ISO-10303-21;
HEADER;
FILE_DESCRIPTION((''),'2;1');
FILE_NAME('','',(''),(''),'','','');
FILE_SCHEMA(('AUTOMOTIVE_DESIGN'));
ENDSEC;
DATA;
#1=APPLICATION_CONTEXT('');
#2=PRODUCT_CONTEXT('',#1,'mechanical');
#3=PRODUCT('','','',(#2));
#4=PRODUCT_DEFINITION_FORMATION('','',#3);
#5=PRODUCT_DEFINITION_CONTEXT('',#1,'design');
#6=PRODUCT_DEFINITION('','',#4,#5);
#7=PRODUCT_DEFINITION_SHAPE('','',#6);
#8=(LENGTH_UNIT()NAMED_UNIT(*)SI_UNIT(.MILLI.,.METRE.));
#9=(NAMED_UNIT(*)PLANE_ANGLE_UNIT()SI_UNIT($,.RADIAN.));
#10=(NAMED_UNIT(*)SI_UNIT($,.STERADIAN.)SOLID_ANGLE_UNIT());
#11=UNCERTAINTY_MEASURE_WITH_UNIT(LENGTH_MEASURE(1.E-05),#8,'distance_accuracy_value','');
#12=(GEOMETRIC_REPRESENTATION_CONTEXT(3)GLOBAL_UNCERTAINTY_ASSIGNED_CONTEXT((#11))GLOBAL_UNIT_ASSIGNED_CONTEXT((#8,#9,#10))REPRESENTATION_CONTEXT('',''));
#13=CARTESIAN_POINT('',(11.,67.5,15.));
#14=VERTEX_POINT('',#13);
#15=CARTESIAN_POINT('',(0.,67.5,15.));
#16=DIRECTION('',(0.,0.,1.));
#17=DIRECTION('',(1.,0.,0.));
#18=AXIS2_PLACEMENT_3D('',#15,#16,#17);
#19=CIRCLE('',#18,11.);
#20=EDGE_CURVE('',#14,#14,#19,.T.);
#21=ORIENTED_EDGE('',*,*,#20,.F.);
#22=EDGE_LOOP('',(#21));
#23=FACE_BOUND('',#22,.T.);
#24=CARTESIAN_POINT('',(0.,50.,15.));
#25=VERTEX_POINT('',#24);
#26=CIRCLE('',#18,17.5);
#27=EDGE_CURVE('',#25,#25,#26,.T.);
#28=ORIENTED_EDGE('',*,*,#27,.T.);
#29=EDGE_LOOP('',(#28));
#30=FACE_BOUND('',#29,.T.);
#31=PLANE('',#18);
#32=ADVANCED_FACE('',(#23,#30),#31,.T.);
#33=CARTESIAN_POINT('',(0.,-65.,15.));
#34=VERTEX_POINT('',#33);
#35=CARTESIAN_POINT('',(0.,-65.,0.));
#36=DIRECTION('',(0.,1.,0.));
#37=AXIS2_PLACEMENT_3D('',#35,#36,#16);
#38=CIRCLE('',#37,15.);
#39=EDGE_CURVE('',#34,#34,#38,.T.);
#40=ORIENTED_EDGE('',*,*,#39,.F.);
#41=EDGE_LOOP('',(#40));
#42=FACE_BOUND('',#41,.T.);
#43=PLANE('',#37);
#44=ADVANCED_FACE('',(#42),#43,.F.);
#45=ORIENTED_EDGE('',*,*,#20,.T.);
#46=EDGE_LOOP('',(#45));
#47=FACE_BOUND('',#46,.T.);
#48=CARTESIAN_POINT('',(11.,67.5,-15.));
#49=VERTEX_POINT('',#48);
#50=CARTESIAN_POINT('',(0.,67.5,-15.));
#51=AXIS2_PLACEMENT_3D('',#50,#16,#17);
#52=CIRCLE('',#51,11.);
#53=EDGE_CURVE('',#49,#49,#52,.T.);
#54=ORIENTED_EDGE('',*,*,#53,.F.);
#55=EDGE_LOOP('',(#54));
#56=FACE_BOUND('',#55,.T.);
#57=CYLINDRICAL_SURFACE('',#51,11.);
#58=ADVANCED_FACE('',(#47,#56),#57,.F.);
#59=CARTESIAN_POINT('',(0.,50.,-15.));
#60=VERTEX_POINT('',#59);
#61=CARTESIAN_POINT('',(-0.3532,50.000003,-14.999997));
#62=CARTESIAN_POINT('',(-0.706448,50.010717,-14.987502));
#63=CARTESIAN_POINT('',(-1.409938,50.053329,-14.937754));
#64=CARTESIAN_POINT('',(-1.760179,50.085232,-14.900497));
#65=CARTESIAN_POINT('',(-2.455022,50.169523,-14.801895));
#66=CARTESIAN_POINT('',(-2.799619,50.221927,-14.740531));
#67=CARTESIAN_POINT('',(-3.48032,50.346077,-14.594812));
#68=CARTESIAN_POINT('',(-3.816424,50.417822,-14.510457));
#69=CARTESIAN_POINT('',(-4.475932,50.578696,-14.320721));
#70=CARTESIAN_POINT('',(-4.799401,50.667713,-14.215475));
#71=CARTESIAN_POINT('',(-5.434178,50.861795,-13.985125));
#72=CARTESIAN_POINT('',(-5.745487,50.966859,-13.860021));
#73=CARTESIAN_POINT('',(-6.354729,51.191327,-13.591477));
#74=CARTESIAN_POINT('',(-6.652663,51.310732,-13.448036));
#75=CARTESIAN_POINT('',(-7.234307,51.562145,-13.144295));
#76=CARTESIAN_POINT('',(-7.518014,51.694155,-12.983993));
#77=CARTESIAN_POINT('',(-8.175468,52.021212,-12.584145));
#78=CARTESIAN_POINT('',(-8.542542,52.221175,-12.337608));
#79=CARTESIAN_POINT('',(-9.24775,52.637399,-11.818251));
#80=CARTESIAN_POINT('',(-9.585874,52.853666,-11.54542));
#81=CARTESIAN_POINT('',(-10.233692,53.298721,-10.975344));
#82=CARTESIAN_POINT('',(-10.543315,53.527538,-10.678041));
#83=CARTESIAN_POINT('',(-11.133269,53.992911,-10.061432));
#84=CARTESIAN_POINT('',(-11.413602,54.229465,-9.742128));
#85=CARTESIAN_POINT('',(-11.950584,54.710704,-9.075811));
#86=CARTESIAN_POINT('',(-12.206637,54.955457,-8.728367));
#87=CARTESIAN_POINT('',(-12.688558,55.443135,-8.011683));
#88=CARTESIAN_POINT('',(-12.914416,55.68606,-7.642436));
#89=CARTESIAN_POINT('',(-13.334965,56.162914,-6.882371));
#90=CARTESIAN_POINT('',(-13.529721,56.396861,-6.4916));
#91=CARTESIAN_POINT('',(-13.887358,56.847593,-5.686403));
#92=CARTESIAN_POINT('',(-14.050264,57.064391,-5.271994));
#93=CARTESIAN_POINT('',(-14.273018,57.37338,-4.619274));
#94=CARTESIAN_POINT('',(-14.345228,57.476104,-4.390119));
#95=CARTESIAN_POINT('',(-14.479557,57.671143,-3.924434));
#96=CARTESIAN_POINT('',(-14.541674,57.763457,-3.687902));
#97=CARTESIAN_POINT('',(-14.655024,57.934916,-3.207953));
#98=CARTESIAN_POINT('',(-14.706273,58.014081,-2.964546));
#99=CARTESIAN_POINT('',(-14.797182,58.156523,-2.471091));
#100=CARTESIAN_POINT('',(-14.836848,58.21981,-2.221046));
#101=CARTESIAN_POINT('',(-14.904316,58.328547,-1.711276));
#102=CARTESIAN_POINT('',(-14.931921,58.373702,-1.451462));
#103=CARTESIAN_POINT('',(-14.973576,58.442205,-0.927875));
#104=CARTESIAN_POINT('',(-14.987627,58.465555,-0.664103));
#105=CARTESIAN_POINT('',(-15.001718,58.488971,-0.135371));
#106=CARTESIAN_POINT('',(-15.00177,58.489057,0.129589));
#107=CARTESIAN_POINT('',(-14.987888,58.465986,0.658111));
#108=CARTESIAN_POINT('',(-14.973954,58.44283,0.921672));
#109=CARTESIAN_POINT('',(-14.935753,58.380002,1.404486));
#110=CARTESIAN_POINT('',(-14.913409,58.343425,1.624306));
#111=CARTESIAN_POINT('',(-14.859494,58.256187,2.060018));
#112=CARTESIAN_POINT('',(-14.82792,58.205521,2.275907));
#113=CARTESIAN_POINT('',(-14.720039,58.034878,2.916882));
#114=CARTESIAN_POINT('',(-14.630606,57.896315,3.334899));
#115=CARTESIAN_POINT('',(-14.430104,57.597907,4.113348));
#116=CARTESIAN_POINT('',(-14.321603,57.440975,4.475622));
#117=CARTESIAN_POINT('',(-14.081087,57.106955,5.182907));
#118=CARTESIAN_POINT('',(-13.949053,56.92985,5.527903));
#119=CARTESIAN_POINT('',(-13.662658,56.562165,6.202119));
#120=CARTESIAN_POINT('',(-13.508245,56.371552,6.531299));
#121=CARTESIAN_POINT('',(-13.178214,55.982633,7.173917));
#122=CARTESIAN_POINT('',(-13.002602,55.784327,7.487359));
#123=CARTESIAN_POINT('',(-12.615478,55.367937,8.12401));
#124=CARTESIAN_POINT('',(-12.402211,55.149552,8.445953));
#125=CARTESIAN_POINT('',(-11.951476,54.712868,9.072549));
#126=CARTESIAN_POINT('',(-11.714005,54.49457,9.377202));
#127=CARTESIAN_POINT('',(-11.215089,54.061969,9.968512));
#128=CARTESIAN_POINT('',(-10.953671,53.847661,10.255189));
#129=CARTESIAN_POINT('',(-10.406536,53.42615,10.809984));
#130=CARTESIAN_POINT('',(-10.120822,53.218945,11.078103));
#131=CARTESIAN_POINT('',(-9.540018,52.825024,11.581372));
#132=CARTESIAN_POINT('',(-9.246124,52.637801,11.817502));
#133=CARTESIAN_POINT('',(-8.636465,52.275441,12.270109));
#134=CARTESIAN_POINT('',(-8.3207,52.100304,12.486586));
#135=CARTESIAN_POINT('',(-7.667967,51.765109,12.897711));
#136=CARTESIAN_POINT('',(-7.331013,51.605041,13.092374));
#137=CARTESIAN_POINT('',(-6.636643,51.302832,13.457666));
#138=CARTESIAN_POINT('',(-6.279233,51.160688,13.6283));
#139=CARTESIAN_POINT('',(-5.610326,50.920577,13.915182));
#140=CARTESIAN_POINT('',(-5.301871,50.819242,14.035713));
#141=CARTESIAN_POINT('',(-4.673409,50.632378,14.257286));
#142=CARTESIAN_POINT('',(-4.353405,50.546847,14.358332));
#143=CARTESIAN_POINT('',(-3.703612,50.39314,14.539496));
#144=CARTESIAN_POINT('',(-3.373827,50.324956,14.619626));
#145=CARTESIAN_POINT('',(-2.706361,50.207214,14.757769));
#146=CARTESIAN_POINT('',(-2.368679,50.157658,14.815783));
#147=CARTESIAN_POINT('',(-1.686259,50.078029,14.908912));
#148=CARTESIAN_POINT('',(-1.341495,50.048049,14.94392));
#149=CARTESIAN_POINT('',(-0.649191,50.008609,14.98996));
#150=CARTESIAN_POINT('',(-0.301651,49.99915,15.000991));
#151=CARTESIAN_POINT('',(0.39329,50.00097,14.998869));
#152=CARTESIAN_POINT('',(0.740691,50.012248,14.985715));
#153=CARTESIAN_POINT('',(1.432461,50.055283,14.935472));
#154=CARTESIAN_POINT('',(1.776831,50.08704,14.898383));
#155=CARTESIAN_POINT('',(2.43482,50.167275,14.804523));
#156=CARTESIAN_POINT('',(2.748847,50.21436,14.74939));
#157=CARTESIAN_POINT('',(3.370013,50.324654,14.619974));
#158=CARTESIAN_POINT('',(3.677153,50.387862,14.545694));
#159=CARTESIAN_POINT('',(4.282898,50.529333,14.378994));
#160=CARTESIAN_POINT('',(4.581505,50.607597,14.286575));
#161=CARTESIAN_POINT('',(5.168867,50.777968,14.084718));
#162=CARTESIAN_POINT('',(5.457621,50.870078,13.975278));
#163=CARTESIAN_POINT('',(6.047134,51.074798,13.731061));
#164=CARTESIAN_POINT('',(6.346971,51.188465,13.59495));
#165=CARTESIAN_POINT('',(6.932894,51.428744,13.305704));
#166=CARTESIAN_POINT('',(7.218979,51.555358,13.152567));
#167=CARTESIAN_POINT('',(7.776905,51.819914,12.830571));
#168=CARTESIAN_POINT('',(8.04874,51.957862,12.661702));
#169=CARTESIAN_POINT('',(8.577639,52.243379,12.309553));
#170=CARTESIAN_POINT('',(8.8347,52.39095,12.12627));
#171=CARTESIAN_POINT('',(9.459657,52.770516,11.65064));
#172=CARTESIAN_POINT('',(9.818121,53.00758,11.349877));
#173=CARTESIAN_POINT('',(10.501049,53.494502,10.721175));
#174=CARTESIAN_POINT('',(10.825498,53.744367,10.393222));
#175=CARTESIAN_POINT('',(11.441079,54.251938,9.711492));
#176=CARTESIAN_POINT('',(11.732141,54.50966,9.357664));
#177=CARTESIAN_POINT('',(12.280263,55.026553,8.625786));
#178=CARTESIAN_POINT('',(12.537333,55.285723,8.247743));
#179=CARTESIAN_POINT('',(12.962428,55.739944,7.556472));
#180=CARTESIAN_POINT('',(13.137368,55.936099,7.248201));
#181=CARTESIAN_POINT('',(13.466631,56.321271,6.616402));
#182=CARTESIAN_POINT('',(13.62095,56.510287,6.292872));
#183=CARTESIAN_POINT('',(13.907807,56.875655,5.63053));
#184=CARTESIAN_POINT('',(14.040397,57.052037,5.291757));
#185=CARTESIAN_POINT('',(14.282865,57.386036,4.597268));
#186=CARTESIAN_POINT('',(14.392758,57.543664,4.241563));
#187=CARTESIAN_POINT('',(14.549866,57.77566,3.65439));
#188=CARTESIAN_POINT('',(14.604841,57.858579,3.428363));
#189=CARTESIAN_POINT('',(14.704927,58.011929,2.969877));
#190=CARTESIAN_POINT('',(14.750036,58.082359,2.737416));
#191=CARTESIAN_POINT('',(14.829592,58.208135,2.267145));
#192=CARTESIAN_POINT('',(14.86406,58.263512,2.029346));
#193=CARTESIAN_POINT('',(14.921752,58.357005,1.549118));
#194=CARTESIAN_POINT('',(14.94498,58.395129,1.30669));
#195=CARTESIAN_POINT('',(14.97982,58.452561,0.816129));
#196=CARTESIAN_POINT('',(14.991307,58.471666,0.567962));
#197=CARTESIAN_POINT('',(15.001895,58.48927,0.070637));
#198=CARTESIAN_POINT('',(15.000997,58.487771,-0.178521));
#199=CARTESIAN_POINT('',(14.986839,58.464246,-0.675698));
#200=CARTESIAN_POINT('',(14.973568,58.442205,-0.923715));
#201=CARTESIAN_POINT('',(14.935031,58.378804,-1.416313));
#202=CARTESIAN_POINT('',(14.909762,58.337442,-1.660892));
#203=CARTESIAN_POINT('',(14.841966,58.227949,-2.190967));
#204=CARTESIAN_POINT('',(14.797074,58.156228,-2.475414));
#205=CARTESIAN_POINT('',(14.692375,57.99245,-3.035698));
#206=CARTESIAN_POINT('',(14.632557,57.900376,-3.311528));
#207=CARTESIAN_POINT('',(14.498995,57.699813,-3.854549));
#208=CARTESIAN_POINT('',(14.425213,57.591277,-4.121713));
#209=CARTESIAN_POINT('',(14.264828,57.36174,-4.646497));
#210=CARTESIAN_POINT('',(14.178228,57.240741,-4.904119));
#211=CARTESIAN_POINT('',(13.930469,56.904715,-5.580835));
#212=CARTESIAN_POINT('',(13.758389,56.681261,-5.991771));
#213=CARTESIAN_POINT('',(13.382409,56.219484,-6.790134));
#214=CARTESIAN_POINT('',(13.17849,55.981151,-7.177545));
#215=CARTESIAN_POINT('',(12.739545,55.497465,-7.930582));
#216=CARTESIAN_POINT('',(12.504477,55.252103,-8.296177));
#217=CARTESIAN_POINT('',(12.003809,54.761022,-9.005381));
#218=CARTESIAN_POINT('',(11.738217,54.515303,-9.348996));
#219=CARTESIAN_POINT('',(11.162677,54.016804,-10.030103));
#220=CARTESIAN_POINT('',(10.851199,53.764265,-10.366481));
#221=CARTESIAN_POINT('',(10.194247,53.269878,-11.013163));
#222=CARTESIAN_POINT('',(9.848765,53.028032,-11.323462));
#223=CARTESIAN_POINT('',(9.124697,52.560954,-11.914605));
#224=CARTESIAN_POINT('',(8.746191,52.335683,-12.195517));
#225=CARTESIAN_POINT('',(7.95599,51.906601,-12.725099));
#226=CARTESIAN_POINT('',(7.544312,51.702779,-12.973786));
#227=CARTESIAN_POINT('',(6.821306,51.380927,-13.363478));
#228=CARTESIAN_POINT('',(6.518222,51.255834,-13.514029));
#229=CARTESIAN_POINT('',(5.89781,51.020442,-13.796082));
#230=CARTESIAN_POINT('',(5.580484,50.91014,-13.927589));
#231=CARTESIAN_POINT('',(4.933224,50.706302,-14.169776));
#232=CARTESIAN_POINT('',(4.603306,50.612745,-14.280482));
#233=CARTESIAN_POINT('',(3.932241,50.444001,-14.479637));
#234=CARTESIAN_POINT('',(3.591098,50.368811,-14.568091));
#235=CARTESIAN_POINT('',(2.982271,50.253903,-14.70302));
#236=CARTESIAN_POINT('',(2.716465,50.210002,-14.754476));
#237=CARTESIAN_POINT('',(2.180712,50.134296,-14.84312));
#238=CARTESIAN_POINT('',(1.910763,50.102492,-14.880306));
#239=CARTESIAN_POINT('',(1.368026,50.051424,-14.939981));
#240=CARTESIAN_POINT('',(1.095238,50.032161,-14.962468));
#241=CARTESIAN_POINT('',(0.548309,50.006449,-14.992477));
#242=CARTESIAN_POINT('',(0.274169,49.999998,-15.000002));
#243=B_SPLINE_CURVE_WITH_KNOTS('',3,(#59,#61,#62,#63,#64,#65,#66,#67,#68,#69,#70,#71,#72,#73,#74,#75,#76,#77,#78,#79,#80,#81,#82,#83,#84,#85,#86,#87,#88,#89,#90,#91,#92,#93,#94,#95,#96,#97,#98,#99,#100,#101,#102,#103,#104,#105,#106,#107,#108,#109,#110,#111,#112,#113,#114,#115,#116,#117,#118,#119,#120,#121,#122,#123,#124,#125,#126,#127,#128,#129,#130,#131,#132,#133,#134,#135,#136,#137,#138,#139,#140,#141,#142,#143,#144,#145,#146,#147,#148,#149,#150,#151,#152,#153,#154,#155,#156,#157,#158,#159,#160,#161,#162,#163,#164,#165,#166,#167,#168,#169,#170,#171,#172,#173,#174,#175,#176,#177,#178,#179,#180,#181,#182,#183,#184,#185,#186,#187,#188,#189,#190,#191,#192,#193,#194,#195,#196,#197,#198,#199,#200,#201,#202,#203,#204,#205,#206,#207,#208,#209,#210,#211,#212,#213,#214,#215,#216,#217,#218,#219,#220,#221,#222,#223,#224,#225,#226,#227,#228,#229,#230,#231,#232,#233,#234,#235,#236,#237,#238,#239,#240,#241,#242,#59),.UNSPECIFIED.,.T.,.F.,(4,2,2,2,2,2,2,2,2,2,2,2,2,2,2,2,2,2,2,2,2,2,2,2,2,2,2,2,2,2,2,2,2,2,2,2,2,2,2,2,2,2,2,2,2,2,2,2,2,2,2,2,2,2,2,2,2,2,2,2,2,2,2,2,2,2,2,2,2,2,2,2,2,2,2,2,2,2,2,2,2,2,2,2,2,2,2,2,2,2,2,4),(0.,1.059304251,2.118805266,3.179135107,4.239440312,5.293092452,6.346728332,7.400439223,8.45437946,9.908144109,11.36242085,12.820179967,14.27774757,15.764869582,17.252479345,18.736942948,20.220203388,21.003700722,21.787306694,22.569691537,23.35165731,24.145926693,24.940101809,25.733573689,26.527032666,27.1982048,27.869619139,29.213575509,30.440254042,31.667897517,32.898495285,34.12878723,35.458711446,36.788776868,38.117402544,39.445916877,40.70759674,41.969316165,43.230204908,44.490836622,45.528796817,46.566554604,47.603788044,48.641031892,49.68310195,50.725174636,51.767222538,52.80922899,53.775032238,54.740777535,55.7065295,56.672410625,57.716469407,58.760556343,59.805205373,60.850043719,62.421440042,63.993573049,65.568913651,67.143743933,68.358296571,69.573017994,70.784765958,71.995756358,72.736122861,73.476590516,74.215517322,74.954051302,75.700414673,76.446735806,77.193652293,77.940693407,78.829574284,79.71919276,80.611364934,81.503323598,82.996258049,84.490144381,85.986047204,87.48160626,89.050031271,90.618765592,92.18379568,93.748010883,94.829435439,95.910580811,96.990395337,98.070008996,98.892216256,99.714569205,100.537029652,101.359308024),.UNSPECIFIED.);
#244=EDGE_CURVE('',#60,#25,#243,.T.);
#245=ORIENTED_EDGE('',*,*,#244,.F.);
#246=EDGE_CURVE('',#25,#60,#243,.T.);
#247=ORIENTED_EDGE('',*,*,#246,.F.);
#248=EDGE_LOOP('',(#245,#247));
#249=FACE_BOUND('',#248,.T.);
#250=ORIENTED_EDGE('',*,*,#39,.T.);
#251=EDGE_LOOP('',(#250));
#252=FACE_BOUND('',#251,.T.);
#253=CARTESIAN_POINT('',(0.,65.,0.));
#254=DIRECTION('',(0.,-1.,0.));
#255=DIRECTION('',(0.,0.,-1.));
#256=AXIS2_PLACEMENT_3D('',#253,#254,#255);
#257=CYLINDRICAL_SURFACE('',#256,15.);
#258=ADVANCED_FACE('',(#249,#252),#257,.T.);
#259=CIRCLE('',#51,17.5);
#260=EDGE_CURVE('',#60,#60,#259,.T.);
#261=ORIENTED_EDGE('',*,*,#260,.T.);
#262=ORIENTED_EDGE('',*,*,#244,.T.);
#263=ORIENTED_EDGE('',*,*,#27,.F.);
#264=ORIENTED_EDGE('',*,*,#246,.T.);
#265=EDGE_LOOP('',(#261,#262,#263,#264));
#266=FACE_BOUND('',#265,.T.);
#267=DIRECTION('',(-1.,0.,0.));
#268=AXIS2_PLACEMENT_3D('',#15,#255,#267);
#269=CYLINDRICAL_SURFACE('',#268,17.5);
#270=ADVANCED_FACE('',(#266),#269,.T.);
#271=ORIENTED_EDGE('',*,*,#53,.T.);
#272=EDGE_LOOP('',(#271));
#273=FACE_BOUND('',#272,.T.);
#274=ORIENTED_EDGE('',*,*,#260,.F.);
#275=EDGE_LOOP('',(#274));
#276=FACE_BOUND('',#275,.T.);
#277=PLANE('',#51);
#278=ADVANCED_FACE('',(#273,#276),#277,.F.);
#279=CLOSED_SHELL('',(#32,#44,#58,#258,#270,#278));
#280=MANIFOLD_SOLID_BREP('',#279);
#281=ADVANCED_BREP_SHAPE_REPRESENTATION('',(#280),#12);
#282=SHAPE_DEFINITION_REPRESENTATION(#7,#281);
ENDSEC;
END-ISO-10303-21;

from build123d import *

# Parameters (mm, degrees)
SKETCH_1_R               = 15
EXTRUDE_1_DEPTH          = 65
SKETCH_2_R               = 17.5
EXTRUDE_4_DEPTH          = 15
CUT_EXTRUDE_1_DEPTH      = 89.069574902
CUT_EXTRUDE_1_DEPTH_BACK = 89.069574902
SKETCH_3_R               = 11


with BuildPart() as part:
    # 스케치1 → 보스-돌출1 (new, symmetric)
    with BuildSketch(Plane(origin=(0, 0, 0), x_dir=(1, 0, 0), z_dir=(0, 1, 0))):
        with Locations(Location((0, 0, 0), (0, 0, 270))):
            Circle(SKETCH_1_R)
    extrude(amount=EXTRUDE_1_DEPTH, both=True)

    # 스케치2 → 보스-돌출4 (add, symmetric)
    with BuildSketch(Plane.XY):
        with Locations((0, 67.5)):
            Circle(SKETCH_2_R)
    extrude(amount=EXTRUDE_4_DEPTH, both=True)

    # 스케치3 → 컷-돌출1 (cut, two sides: drawn at the far end of the back side and taken through both)
    with BuildSketch(Plane.XY.offset(-CUT_EXTRUDE_1_DEPTH_BACK)):
        with Locations((0, 67.5)):
            Circle(SKETCH_3_R)
    extrude(amount=CUT_EXTRUDE_1_DEPTH + CUT_EXTRUDE_1_DEPTH_BACK, mode=Mode.SUBTRACT)


solid = part.part
